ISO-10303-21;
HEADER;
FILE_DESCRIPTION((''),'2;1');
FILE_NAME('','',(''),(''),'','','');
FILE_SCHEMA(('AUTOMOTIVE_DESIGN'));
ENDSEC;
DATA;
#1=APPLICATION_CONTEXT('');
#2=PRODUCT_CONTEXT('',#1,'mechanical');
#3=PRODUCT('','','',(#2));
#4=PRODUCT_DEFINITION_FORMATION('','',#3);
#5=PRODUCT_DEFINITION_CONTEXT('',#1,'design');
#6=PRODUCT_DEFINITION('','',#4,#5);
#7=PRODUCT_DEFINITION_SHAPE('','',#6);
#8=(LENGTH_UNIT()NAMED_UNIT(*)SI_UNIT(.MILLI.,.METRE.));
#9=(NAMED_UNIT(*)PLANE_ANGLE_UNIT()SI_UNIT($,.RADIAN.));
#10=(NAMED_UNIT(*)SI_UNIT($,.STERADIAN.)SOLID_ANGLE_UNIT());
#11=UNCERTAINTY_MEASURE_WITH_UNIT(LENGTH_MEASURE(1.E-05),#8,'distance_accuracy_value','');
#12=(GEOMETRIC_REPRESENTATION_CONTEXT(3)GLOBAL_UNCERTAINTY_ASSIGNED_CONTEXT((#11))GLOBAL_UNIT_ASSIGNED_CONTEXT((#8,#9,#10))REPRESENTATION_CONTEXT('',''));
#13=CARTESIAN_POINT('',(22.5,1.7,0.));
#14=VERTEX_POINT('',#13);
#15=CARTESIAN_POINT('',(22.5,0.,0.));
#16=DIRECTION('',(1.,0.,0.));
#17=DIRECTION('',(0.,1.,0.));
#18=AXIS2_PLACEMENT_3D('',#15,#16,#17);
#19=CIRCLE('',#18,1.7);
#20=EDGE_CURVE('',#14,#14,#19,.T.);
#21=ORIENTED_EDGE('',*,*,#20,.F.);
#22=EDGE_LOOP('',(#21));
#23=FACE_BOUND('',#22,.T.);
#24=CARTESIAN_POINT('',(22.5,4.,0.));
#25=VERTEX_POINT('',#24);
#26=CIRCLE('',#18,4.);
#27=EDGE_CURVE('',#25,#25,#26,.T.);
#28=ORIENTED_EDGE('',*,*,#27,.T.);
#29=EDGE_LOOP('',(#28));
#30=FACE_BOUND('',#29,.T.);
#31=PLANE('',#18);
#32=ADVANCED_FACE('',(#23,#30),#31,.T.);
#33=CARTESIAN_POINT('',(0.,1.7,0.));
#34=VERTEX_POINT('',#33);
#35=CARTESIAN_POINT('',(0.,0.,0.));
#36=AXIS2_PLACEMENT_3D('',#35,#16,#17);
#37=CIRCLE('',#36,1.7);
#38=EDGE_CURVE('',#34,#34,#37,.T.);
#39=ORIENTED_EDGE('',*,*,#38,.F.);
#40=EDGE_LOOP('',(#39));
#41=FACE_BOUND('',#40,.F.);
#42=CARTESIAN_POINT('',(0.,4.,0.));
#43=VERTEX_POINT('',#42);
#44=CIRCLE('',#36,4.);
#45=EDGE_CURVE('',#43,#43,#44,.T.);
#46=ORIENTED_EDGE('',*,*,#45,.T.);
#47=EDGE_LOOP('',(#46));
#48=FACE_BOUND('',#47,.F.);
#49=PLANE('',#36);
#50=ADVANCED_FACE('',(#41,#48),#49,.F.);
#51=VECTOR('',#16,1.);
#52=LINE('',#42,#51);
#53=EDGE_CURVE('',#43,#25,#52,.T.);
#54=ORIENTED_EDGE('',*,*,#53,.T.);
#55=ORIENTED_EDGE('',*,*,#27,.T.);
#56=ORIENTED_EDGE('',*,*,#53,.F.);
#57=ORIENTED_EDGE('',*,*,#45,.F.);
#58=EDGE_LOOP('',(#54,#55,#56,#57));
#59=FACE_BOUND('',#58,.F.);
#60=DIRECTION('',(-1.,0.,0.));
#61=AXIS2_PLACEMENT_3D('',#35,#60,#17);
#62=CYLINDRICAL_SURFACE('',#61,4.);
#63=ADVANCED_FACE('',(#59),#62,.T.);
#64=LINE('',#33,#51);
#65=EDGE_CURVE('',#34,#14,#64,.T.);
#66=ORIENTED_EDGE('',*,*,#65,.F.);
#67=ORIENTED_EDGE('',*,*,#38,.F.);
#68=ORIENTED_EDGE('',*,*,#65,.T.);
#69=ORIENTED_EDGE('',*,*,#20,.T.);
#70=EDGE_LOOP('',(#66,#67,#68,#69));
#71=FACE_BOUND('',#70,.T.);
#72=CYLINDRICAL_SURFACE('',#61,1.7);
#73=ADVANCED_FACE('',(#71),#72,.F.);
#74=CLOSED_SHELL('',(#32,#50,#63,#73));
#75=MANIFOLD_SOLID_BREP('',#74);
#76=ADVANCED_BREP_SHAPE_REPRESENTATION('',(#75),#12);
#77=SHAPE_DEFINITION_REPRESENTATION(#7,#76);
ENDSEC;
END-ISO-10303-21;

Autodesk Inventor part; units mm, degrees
ref_plane "YZ Plane" through (0, 0, 0) normal (1, 0, 0) x (0, 1, 0)
ref_plane "XZ Plane" through (0, 0, 0) normal (0, 1, 0) x (-1, 0, 0)
ref_plane "XY Plane" through (0, 0, 0) normal (0, 0, 1) x (1, 0, 0)
sketch "スケッチ1" plane through (0, 0, 0) normal (1, 0, 0) x (0, 1, 0)
  circle A0 centre (0, 0) radius 4
  circle A1 centre (0, 0) radius 1.7
  dimension "d0" = 8
  dimension "d1" = 3.4
extrude "押し出し1" add sketch "スケッチ1" along normal blind 22.5
properties part number "hand-grab-v3-3DP-spesa_1" material "ABS プラスチック"
